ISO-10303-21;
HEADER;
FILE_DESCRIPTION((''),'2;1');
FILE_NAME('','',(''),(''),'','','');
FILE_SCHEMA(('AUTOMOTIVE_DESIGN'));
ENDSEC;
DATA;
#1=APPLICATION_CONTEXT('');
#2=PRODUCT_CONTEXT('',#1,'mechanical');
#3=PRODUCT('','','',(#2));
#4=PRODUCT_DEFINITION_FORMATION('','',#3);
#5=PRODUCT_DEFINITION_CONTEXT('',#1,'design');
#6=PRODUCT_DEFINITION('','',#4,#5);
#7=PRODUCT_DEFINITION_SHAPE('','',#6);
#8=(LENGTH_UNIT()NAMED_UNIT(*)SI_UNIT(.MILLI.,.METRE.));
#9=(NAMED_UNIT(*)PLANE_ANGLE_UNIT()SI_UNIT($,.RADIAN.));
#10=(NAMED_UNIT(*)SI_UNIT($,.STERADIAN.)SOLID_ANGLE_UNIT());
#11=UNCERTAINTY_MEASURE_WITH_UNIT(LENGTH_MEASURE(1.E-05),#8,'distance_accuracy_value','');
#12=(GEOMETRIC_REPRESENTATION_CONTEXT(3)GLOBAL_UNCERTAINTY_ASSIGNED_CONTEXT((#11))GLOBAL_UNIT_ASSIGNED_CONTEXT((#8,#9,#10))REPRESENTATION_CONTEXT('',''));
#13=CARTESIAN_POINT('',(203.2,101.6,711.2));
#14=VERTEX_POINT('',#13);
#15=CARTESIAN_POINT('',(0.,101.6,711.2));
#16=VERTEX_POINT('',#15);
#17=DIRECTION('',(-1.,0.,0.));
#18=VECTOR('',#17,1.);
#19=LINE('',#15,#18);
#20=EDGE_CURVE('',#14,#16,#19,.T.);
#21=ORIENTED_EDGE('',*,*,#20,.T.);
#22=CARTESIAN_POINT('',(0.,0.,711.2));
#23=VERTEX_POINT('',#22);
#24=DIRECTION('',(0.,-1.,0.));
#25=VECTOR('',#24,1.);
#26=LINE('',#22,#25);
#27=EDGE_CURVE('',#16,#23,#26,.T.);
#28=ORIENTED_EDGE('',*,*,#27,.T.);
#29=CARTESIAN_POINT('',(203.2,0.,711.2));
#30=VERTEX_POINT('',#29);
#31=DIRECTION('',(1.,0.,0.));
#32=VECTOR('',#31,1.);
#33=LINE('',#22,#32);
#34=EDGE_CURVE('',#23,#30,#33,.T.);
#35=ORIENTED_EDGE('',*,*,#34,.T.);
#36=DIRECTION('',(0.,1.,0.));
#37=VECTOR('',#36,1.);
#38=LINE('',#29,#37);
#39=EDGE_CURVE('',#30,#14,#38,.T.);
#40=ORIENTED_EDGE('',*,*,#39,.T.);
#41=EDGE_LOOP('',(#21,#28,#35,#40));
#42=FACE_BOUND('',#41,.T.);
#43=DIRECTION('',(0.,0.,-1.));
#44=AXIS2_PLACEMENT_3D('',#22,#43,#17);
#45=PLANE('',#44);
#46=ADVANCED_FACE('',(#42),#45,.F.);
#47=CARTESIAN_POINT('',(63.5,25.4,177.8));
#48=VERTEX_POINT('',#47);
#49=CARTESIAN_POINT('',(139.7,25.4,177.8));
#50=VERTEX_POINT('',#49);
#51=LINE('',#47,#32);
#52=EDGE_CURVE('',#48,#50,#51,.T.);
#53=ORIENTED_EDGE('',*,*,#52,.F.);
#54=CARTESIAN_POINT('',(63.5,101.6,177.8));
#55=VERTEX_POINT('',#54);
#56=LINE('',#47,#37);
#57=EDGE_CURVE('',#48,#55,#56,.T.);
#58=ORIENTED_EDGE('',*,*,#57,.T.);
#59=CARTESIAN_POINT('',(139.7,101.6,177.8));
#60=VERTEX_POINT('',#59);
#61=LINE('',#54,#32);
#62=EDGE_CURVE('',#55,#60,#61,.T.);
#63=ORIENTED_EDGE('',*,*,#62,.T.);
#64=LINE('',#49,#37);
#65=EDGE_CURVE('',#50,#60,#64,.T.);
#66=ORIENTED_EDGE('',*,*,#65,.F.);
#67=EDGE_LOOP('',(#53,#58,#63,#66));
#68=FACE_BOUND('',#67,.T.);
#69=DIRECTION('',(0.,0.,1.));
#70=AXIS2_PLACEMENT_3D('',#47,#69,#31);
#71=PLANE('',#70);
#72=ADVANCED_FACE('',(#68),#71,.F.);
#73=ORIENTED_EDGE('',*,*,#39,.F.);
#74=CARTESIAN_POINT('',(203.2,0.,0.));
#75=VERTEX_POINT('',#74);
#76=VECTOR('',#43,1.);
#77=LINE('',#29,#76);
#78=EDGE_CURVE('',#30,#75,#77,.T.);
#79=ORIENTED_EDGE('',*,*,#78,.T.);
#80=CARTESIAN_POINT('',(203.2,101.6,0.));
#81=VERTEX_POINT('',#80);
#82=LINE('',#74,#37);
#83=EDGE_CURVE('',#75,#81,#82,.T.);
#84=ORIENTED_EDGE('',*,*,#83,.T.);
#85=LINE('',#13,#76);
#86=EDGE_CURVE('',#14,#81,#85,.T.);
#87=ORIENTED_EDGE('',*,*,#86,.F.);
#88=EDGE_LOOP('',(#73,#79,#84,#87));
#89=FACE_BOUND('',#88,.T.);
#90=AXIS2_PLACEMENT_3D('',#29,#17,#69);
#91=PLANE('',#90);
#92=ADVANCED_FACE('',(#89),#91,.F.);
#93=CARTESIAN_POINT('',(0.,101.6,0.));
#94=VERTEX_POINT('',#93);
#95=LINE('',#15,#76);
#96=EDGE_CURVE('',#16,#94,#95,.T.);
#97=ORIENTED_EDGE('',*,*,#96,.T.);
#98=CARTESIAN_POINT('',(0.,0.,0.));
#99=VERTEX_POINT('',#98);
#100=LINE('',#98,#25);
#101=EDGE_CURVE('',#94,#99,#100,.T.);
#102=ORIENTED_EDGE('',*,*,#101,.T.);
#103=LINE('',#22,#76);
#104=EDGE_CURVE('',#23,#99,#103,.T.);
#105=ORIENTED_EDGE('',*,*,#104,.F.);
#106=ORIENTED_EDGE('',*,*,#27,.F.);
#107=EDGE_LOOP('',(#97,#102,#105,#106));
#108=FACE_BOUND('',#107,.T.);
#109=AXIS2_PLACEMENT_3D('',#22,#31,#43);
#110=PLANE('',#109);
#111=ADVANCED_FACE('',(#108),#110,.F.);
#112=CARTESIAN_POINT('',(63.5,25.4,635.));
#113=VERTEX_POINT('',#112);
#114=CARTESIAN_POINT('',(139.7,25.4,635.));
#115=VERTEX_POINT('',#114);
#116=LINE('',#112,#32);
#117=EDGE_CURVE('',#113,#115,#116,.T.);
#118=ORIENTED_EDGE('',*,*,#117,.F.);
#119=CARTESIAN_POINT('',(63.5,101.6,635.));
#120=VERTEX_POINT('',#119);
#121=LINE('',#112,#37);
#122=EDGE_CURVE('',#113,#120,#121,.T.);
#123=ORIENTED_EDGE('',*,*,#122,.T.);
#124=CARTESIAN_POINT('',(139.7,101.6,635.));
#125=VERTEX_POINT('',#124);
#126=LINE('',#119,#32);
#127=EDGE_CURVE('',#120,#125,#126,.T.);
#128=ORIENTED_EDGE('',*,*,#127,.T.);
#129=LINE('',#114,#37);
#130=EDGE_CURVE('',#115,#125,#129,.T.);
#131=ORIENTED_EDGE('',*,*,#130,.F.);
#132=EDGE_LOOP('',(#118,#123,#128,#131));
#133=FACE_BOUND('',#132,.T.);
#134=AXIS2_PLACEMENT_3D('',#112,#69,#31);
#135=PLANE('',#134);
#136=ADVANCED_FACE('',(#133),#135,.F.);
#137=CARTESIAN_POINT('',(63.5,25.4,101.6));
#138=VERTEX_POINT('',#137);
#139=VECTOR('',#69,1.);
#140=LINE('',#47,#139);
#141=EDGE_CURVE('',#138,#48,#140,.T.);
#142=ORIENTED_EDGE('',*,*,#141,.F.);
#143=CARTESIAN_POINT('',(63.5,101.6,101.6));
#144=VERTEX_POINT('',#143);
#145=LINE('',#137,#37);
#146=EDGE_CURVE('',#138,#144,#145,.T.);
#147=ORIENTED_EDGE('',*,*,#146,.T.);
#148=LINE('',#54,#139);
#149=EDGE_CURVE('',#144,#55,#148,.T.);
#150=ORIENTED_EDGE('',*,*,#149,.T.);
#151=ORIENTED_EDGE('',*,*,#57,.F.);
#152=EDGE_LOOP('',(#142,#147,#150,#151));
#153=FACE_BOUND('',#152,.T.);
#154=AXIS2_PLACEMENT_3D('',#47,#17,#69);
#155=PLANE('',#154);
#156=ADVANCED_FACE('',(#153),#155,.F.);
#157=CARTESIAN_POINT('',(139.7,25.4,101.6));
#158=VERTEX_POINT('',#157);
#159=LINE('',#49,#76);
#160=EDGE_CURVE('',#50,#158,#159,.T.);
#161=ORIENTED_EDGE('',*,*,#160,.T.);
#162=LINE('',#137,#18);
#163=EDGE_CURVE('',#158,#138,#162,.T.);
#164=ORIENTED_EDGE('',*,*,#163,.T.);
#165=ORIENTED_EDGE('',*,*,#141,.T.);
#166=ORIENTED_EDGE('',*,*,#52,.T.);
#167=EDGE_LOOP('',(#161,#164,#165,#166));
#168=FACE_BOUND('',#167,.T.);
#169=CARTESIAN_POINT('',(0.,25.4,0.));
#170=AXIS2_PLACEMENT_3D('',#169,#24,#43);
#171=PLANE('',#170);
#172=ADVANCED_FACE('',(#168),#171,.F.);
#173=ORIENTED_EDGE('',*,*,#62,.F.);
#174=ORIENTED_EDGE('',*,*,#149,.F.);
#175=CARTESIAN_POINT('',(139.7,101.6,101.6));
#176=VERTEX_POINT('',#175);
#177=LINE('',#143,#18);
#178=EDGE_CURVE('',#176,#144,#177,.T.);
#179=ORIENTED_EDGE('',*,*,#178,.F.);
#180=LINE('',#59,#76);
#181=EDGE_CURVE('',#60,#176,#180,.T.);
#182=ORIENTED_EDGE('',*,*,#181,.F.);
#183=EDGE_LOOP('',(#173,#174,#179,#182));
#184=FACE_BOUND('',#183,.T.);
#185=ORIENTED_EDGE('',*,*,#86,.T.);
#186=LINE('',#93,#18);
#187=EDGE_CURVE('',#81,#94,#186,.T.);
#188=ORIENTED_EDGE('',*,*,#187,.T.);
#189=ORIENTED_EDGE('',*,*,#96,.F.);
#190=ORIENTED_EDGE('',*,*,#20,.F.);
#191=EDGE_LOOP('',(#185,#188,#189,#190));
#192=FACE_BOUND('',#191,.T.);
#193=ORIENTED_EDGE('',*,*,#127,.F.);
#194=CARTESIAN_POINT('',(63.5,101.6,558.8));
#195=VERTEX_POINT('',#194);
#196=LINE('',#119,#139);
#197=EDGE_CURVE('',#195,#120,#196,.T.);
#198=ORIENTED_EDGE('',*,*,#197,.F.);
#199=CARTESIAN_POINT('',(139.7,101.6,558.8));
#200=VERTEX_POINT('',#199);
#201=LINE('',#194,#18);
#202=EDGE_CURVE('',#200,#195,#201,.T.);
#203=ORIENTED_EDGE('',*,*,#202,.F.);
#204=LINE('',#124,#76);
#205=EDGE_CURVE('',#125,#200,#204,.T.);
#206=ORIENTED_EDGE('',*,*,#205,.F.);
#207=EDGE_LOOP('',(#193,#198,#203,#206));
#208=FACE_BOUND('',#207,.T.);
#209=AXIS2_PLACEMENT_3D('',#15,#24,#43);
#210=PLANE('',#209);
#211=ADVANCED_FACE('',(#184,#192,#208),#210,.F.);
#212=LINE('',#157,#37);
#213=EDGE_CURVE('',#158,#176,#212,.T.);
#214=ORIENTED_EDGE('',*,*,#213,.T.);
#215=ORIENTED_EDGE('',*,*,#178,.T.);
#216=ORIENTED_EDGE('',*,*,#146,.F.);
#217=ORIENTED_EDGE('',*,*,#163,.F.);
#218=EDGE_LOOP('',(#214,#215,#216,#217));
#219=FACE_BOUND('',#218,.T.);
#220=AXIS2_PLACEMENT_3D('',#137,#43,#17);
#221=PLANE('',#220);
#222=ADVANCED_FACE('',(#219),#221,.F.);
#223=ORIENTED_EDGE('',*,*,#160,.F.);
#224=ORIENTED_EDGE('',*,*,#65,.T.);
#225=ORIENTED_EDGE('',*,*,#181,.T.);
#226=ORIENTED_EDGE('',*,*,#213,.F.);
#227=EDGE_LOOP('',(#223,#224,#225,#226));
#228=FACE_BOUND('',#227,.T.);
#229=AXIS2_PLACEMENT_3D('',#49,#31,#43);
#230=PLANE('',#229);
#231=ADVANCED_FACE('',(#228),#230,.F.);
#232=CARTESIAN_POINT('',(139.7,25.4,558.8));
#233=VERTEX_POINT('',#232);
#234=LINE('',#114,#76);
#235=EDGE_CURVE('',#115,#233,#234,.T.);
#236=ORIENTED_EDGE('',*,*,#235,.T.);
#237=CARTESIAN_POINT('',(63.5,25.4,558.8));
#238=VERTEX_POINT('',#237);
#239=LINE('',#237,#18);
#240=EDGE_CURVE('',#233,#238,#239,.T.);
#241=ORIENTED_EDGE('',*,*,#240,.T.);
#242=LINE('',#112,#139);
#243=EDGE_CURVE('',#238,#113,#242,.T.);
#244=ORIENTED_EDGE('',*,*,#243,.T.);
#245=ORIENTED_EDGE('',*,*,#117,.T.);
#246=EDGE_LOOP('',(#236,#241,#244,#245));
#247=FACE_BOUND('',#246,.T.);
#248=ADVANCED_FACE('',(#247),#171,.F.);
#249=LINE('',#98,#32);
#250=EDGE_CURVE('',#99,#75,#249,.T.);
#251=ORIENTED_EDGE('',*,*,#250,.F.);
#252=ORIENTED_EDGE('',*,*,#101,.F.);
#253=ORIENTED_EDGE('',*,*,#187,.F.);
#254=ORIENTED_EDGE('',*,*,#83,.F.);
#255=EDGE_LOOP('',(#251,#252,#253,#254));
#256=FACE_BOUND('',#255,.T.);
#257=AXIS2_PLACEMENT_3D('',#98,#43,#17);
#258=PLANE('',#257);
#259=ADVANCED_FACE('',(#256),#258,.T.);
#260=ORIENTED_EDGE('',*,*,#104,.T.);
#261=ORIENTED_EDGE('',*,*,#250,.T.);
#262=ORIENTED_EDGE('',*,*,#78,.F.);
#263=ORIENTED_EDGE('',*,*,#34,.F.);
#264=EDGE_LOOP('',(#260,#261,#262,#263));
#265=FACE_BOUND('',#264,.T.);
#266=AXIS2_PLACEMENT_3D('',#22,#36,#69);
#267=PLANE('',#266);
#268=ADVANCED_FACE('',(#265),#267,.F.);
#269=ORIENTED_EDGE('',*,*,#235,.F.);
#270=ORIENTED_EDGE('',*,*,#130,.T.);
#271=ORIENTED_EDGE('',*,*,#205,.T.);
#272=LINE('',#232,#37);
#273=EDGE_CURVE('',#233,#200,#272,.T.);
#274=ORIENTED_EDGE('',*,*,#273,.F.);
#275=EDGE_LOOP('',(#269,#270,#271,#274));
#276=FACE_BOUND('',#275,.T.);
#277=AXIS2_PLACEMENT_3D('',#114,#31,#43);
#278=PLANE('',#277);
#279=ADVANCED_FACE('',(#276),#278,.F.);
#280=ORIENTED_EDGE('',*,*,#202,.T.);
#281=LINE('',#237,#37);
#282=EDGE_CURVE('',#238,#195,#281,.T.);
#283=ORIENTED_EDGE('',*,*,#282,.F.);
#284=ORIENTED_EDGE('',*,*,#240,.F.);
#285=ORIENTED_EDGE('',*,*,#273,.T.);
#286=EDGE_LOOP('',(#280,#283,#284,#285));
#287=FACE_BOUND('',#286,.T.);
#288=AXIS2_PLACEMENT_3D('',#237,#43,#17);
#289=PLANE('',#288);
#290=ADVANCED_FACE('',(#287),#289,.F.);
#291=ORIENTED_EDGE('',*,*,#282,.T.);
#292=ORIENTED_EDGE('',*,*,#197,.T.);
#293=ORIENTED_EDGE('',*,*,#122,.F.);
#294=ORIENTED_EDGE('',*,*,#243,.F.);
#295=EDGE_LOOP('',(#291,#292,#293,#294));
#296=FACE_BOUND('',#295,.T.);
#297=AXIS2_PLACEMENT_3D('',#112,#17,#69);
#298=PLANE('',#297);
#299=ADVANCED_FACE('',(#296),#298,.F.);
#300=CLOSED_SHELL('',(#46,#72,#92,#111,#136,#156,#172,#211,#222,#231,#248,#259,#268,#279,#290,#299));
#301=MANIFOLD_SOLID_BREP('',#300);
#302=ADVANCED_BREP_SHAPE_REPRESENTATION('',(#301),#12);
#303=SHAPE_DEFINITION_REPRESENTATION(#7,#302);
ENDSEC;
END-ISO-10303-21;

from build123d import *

# Parameters (mm, degrees)
SKETCH1_W           = 203.2
SKETCH1_H           = 101.6
BOSS_EXTRUDE1_DEPTH = 711.2
SKETCH2_W           = 76.2
SKETCH2_H           = 76.2
CUT_EXTRUDE1_DEPTH  = 76.2


with BuildPart() as part:
    # Sketch1 → Boss-Extrude1 (new body)
    with BuildSketch(Plane.XY):
        with Locations((101.6, 50.8)):
            Rectangle(SKETCH1_W, SKETCH1_H)
    extrude(amount=BOSS_EXTRUDE1_DEPTH)

    # Sketch2 → Cut-Extrude1 (cut)
    with BuildSketch(Plane(origin=(0, 101.6, 0), x_dir=(1, 0, 0), z_dir=(0, 1, 0))):
        with Locations((101.6, -139.7)):
            Rectangle(SKETCH2_W, SKETCH2_H)
        with Locations((101.6, -596.9)):
            Rectangle(SKETCH2_W, SKETCH2_H)
    extrude(amount=-CUT_EXTRUDE1_DEPTH, mode=Mode.SUBTRACT)


solid = part.part
